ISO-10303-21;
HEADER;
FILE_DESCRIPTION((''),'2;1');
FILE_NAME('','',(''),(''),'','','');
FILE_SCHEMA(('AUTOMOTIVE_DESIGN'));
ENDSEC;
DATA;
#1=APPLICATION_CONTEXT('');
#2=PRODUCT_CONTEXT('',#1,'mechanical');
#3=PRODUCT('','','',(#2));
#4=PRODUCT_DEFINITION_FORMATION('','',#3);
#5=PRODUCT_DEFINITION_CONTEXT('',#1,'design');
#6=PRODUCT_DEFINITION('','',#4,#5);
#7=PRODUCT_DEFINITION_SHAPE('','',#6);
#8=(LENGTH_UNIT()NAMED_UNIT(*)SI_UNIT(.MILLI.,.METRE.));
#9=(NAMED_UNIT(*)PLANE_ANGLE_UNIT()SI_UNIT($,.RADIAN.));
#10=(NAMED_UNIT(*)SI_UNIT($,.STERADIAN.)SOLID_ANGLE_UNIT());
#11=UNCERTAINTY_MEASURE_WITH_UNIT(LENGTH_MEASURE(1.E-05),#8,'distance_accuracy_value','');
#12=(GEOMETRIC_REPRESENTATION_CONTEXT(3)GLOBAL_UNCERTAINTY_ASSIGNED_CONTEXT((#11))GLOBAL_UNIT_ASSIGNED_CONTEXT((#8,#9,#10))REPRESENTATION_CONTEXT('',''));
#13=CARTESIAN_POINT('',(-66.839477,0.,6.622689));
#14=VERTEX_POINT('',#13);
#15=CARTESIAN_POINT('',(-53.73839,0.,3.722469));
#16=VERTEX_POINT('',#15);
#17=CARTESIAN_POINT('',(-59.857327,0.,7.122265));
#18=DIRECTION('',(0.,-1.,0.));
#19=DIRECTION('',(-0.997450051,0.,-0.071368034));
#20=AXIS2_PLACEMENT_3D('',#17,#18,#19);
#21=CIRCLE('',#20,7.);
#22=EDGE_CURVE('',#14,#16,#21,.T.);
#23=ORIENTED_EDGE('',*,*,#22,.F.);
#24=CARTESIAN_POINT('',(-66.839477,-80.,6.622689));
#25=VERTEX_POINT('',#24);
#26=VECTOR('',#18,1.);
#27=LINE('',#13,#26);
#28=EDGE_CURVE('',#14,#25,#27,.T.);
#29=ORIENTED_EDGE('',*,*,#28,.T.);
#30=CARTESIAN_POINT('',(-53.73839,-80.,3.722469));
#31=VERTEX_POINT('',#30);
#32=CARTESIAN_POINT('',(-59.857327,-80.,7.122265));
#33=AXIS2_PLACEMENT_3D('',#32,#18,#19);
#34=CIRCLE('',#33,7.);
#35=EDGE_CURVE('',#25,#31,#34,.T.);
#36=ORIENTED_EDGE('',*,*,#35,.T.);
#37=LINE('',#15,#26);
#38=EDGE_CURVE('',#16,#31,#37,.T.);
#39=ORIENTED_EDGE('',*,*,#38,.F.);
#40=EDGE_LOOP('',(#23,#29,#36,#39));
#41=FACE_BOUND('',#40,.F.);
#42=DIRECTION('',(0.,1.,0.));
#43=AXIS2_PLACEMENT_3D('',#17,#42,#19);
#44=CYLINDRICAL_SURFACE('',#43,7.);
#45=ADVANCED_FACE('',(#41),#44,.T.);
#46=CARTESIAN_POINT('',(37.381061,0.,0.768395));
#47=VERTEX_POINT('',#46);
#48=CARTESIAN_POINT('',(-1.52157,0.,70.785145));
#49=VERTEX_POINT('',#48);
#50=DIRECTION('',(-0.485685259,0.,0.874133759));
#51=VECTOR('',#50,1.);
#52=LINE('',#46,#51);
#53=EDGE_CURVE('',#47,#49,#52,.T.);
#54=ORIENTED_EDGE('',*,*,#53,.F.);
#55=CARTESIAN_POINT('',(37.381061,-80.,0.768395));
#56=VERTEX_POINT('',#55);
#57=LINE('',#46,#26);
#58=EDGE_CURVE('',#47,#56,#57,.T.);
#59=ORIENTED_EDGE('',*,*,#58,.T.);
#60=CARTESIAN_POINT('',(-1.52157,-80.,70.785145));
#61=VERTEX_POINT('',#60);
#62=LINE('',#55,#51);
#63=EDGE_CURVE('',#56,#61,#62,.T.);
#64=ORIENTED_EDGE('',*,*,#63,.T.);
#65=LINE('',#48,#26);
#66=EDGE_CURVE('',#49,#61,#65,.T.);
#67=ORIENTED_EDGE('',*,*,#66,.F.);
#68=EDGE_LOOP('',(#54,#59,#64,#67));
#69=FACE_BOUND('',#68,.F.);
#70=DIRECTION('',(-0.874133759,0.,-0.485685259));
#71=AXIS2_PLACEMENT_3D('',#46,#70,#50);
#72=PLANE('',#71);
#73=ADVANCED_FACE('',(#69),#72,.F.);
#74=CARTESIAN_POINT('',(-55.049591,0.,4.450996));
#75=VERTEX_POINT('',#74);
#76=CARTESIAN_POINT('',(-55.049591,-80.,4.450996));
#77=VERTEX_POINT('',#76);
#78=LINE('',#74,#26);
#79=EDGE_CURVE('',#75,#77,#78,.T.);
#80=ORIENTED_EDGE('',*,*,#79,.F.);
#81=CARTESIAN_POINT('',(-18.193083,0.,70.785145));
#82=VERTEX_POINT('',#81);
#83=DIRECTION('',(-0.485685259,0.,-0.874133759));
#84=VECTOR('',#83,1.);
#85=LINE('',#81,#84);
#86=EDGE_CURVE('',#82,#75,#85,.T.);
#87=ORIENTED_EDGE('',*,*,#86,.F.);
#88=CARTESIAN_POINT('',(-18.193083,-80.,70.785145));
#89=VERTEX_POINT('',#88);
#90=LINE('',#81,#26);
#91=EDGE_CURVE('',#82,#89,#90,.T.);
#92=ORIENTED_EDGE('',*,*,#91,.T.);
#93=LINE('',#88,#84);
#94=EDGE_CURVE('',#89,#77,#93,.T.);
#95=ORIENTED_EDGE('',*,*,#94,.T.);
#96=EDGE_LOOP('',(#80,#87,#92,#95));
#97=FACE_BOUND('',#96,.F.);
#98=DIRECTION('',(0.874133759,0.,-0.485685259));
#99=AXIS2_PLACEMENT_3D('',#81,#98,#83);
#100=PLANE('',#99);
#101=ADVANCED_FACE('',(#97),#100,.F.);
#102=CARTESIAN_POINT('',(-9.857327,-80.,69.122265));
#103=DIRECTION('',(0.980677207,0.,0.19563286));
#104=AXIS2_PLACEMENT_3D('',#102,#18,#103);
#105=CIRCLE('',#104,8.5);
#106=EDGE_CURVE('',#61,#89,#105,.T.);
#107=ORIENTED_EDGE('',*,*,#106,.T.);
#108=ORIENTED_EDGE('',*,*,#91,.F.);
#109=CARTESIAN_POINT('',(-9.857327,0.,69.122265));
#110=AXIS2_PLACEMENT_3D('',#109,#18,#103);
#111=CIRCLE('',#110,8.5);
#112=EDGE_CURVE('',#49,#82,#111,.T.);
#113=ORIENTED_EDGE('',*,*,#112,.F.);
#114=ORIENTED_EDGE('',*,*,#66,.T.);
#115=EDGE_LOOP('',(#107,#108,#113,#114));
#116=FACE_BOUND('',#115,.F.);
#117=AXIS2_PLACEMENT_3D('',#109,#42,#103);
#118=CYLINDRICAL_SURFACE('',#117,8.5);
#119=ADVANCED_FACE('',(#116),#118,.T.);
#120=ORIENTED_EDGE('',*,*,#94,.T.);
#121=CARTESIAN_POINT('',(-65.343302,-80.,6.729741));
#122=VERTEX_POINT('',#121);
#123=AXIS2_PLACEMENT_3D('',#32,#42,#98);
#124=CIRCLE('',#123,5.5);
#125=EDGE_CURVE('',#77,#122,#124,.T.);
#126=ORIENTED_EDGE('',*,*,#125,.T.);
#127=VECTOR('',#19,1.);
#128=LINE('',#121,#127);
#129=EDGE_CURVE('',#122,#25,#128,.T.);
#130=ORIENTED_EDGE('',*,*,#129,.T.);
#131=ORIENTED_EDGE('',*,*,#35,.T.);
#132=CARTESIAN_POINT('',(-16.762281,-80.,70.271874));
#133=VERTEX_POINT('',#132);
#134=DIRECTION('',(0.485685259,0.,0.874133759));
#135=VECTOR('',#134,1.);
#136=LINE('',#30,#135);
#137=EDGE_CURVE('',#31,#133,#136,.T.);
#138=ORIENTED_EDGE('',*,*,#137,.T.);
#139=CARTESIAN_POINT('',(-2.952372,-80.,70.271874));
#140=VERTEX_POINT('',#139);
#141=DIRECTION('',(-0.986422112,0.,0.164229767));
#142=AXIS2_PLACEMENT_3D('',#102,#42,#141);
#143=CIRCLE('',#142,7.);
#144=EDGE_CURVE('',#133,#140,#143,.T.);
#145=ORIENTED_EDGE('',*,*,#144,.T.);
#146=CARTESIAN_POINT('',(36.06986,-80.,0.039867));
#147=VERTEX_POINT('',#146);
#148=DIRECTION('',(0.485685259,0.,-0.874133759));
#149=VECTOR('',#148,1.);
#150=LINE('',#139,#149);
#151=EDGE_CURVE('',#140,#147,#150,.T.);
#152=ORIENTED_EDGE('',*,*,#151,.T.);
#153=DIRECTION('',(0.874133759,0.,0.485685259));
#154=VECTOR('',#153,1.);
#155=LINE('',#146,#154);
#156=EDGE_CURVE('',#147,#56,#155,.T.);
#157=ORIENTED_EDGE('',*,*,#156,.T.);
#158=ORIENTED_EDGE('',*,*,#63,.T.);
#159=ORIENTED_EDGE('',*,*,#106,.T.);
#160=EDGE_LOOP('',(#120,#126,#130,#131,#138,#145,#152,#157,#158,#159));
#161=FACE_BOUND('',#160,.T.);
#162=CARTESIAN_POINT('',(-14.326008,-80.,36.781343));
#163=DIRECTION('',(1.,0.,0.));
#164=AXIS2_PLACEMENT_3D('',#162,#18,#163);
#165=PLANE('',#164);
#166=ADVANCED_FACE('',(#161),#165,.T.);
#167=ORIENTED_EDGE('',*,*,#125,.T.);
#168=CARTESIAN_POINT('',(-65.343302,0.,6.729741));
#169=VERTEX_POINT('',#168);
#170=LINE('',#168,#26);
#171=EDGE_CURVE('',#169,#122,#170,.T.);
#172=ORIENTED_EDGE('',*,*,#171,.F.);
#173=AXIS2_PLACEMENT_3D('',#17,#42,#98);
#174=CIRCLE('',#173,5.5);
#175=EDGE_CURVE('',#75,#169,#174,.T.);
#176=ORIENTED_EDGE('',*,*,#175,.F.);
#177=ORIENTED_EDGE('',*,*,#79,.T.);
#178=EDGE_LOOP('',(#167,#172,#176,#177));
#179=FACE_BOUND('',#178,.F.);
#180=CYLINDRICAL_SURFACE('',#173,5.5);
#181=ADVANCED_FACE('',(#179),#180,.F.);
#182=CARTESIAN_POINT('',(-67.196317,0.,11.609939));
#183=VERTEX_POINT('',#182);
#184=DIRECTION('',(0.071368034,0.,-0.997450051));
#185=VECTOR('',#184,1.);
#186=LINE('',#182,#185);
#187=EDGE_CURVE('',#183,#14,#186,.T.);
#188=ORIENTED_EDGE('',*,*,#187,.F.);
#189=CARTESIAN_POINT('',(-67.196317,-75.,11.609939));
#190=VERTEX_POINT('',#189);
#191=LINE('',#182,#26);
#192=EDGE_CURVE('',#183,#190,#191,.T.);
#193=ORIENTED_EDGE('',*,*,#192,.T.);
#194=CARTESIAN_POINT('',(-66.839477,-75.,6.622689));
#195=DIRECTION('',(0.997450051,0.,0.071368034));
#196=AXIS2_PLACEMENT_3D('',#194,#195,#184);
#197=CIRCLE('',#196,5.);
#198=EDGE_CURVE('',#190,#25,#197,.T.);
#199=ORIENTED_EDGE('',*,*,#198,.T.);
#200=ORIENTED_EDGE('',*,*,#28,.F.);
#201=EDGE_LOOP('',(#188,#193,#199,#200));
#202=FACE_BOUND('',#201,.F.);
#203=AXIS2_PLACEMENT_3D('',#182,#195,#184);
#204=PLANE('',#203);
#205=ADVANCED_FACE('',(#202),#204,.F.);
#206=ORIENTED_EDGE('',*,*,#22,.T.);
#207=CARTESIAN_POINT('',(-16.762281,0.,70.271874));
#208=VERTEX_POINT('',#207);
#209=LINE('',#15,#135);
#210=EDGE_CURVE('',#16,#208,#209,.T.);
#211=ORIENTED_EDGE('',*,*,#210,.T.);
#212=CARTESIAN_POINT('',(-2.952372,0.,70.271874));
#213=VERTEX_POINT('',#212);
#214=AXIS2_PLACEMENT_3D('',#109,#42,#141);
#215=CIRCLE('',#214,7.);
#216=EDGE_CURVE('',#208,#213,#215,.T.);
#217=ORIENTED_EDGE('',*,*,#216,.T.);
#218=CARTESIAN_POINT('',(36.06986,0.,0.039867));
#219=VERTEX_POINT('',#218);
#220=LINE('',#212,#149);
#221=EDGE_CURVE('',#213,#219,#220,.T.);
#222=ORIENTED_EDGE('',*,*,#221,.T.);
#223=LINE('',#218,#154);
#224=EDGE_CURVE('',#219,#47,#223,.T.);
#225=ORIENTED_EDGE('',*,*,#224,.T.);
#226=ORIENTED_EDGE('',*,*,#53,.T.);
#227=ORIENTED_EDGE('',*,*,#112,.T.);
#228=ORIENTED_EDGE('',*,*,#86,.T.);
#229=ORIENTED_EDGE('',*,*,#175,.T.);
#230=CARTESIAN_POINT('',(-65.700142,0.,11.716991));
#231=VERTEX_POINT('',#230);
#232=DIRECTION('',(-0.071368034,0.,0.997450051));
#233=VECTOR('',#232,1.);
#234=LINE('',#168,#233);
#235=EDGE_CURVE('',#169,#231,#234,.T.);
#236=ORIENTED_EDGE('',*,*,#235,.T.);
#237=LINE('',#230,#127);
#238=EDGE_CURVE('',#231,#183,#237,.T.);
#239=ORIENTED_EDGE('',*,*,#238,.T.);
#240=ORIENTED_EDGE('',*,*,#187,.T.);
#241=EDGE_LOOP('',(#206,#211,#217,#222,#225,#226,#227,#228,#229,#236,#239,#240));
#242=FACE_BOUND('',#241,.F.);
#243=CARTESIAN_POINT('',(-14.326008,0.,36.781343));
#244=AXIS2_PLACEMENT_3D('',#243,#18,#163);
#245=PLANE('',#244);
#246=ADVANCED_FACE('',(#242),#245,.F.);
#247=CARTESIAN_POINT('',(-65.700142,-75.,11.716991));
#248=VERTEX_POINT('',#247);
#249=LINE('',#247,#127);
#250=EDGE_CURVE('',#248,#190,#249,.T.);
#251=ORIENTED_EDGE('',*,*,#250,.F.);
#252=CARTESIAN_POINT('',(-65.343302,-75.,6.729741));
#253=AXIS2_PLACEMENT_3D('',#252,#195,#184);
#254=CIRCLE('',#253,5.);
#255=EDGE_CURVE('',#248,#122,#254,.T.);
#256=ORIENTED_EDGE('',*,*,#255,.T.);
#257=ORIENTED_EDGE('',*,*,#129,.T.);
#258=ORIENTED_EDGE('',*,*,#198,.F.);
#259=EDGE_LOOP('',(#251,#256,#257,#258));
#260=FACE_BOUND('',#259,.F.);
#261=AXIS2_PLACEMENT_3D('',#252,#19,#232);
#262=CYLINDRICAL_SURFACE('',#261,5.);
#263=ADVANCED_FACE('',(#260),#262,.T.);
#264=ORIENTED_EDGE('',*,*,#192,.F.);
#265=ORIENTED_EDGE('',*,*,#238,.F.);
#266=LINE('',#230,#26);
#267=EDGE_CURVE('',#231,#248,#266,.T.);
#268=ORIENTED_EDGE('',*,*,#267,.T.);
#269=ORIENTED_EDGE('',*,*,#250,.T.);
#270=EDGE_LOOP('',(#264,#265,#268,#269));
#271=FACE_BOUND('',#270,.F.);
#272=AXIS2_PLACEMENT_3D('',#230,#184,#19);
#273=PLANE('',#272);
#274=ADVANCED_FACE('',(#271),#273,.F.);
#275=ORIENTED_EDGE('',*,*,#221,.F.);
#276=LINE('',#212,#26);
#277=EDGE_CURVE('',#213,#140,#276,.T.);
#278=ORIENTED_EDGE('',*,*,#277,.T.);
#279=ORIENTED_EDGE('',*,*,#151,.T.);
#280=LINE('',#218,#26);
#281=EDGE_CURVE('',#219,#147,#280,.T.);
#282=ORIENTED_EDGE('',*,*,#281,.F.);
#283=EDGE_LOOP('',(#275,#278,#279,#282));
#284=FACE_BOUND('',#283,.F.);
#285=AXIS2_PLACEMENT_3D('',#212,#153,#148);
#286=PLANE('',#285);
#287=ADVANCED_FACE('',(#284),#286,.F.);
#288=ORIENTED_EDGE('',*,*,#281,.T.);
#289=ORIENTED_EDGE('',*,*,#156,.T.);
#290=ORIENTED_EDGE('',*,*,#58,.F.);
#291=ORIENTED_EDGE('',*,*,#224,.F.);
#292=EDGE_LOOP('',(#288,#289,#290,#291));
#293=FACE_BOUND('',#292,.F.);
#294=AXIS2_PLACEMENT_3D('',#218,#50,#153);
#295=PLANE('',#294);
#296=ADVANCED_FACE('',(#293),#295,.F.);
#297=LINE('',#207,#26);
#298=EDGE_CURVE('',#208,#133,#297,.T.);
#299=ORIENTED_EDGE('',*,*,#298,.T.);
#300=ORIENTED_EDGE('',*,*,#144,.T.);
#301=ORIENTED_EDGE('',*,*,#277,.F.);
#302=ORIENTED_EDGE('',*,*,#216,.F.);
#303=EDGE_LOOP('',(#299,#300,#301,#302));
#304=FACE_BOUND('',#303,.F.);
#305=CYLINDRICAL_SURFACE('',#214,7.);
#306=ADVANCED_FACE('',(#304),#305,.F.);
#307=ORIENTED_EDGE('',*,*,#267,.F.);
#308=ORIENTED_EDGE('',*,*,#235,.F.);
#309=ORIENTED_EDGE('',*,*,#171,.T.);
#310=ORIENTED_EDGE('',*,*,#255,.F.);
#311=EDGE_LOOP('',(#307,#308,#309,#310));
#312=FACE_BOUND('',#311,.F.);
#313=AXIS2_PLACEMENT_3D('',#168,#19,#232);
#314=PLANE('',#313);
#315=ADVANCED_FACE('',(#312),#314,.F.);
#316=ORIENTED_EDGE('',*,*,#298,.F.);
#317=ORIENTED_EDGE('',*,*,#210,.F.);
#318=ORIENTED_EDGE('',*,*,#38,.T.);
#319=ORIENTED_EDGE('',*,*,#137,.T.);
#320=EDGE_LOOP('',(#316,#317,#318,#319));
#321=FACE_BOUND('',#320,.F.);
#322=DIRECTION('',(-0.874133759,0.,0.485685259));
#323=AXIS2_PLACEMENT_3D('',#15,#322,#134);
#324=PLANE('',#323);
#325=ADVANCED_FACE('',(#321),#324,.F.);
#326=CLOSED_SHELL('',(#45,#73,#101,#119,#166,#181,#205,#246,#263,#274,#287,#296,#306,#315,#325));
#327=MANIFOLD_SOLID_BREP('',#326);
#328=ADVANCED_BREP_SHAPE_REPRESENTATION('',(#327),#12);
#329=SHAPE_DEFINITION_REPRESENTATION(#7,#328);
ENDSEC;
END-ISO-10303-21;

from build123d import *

# Parameters (mm, degrees)
F1_DEPTH = 80
F2_R     = 5


with BuildPart() as f1:
    # F0 (on Front) → F1 (new body)
    with BuildSketch(Plane.XZ):
        with BuildLine():
            Line((-67.196317063, 11.6099394371), (-66.8394768923, 6.6226891835))
            ThreePointArc((-66.8394768923, 6.6226891835), (-61.3703052093, 0.2877284566), (-53.7383902213, 3.7224686106))
            Line((-53.7383902213, 3.7224686106), (-16.7622813237, 70.2718737887))
            ThreePointArc((-16.7622813237, 70.2718737887), (-9.8573265372, 76.1222654224), (-2.9523717506, 70.2718737887))
            Line((-2.9523717506, 70.2718737887), (36.0698602417, 0.0398670893))
            Line((36.0698602417, 0.0398670893), (37.3810608808, 0.7683949775))
            Line((37.3810608808, 0.7683949775), (-1.5215702782, 70.78514473))
            ThreePointArc((-1.5215702782, 70.78514473), (-9.8573265372, 77.6222654224), (-18.1930827961, 70.78514473))
            Line((-18.1930827961, 70.78514473), (-55.0495908604, 4.4509964988))
            ThreePointArc((-55.0495908604, 4.4509964988), (-61.0460954938, 1.7522720921), (-65.3433018162, 6.7297412347))
            Line((-65.3433018162, 6.7297412347), (-65.7001419869, 11.7169914883))
            Line((-65.7001419869, 11.7169914883), (-67.196317063, 11.6099394371))
        make_face()
    extrude(amount=F1_DEPTH)

    # F2
    f2_edges = [f1.edges().sort_by_distance(p)[0] for p in [
        (-66.44823, -80, 11.663465),
    ]]
    fillet(f2_edges, radius=F2_R)


solid = f1.part
